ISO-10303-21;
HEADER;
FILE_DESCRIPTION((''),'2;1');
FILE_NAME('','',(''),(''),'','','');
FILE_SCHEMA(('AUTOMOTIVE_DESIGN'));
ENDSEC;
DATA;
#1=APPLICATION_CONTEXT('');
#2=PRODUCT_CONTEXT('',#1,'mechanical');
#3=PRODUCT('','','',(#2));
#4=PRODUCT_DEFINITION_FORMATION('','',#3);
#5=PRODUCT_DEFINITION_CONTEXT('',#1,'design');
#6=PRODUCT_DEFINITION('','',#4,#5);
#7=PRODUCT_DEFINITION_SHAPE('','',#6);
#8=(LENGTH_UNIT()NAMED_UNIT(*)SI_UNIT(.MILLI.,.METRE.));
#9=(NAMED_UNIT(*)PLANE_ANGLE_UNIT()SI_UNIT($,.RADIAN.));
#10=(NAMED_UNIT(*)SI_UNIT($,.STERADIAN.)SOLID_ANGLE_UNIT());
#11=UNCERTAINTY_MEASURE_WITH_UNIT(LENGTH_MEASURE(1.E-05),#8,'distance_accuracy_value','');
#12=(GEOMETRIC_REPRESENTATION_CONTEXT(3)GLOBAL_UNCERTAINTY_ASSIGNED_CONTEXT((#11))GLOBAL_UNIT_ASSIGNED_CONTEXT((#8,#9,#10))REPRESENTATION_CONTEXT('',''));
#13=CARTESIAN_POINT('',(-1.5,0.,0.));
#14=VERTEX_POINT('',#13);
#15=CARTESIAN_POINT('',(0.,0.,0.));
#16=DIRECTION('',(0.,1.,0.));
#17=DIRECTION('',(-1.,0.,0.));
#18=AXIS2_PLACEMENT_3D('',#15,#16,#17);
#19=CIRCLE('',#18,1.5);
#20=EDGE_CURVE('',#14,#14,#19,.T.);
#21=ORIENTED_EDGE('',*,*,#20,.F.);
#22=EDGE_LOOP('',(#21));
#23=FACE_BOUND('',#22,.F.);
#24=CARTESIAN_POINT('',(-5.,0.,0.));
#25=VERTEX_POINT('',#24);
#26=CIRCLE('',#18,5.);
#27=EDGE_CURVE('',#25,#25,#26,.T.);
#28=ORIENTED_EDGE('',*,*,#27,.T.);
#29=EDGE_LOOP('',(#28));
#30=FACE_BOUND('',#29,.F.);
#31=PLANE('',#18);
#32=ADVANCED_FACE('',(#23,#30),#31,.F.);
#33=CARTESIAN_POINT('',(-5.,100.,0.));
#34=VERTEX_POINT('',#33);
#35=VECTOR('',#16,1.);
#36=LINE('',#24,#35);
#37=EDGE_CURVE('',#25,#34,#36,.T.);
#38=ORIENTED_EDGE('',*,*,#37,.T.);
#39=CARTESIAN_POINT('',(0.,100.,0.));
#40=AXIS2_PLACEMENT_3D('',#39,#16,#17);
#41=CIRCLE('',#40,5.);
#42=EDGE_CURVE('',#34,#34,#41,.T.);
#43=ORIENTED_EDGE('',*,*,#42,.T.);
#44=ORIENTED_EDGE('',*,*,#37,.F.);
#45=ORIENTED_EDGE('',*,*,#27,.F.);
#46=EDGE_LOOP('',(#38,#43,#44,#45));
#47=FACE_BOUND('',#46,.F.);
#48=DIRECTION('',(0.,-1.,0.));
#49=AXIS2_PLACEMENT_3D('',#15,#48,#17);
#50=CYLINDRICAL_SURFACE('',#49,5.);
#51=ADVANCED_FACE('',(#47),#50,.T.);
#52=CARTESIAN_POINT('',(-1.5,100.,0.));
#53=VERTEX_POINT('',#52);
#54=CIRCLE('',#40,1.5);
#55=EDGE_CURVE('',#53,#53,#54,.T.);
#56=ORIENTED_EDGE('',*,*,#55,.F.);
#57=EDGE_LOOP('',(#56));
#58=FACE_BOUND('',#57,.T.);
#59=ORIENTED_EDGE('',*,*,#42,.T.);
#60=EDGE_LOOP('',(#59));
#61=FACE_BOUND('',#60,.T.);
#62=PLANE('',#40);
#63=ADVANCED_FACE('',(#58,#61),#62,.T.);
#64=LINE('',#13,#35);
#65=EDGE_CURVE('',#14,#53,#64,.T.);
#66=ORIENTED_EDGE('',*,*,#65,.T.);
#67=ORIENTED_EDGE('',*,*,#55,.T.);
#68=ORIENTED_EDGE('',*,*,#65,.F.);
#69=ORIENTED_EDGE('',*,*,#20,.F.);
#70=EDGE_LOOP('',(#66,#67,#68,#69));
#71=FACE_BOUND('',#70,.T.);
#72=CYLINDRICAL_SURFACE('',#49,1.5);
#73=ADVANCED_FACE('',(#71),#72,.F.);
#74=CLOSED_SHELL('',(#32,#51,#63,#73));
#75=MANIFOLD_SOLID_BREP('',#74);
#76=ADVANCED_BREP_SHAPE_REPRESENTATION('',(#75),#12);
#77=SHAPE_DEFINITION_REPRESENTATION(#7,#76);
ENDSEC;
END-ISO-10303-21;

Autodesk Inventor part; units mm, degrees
ref_plane "YZ Plane" through (0, 0, 0) normal (1, 0, 0) x (0, 1, 0)
ref_plane "XZ Plane" through (0, 0, 0) normal (0, 1, 0) x (-1, 0, 0)
ref_plane "XY Plane" through (0, 0, 0) normal (0, 0, 1) x (1, 0, 0)
sketch "Sketch1" plane through (0, 0, 0) normal (0, 1, 0) x (-1, 0, 0)
  circle A0 centre (0, 0) radius 5
  circle A1 centre (0, 0) radius 1.5
  dimension "d0" = 10
  dimension "d1" = 3
extrude "Extrusion1" add sketch "Sketch1" along normal blind 100
properties part number "IMU_holder"
